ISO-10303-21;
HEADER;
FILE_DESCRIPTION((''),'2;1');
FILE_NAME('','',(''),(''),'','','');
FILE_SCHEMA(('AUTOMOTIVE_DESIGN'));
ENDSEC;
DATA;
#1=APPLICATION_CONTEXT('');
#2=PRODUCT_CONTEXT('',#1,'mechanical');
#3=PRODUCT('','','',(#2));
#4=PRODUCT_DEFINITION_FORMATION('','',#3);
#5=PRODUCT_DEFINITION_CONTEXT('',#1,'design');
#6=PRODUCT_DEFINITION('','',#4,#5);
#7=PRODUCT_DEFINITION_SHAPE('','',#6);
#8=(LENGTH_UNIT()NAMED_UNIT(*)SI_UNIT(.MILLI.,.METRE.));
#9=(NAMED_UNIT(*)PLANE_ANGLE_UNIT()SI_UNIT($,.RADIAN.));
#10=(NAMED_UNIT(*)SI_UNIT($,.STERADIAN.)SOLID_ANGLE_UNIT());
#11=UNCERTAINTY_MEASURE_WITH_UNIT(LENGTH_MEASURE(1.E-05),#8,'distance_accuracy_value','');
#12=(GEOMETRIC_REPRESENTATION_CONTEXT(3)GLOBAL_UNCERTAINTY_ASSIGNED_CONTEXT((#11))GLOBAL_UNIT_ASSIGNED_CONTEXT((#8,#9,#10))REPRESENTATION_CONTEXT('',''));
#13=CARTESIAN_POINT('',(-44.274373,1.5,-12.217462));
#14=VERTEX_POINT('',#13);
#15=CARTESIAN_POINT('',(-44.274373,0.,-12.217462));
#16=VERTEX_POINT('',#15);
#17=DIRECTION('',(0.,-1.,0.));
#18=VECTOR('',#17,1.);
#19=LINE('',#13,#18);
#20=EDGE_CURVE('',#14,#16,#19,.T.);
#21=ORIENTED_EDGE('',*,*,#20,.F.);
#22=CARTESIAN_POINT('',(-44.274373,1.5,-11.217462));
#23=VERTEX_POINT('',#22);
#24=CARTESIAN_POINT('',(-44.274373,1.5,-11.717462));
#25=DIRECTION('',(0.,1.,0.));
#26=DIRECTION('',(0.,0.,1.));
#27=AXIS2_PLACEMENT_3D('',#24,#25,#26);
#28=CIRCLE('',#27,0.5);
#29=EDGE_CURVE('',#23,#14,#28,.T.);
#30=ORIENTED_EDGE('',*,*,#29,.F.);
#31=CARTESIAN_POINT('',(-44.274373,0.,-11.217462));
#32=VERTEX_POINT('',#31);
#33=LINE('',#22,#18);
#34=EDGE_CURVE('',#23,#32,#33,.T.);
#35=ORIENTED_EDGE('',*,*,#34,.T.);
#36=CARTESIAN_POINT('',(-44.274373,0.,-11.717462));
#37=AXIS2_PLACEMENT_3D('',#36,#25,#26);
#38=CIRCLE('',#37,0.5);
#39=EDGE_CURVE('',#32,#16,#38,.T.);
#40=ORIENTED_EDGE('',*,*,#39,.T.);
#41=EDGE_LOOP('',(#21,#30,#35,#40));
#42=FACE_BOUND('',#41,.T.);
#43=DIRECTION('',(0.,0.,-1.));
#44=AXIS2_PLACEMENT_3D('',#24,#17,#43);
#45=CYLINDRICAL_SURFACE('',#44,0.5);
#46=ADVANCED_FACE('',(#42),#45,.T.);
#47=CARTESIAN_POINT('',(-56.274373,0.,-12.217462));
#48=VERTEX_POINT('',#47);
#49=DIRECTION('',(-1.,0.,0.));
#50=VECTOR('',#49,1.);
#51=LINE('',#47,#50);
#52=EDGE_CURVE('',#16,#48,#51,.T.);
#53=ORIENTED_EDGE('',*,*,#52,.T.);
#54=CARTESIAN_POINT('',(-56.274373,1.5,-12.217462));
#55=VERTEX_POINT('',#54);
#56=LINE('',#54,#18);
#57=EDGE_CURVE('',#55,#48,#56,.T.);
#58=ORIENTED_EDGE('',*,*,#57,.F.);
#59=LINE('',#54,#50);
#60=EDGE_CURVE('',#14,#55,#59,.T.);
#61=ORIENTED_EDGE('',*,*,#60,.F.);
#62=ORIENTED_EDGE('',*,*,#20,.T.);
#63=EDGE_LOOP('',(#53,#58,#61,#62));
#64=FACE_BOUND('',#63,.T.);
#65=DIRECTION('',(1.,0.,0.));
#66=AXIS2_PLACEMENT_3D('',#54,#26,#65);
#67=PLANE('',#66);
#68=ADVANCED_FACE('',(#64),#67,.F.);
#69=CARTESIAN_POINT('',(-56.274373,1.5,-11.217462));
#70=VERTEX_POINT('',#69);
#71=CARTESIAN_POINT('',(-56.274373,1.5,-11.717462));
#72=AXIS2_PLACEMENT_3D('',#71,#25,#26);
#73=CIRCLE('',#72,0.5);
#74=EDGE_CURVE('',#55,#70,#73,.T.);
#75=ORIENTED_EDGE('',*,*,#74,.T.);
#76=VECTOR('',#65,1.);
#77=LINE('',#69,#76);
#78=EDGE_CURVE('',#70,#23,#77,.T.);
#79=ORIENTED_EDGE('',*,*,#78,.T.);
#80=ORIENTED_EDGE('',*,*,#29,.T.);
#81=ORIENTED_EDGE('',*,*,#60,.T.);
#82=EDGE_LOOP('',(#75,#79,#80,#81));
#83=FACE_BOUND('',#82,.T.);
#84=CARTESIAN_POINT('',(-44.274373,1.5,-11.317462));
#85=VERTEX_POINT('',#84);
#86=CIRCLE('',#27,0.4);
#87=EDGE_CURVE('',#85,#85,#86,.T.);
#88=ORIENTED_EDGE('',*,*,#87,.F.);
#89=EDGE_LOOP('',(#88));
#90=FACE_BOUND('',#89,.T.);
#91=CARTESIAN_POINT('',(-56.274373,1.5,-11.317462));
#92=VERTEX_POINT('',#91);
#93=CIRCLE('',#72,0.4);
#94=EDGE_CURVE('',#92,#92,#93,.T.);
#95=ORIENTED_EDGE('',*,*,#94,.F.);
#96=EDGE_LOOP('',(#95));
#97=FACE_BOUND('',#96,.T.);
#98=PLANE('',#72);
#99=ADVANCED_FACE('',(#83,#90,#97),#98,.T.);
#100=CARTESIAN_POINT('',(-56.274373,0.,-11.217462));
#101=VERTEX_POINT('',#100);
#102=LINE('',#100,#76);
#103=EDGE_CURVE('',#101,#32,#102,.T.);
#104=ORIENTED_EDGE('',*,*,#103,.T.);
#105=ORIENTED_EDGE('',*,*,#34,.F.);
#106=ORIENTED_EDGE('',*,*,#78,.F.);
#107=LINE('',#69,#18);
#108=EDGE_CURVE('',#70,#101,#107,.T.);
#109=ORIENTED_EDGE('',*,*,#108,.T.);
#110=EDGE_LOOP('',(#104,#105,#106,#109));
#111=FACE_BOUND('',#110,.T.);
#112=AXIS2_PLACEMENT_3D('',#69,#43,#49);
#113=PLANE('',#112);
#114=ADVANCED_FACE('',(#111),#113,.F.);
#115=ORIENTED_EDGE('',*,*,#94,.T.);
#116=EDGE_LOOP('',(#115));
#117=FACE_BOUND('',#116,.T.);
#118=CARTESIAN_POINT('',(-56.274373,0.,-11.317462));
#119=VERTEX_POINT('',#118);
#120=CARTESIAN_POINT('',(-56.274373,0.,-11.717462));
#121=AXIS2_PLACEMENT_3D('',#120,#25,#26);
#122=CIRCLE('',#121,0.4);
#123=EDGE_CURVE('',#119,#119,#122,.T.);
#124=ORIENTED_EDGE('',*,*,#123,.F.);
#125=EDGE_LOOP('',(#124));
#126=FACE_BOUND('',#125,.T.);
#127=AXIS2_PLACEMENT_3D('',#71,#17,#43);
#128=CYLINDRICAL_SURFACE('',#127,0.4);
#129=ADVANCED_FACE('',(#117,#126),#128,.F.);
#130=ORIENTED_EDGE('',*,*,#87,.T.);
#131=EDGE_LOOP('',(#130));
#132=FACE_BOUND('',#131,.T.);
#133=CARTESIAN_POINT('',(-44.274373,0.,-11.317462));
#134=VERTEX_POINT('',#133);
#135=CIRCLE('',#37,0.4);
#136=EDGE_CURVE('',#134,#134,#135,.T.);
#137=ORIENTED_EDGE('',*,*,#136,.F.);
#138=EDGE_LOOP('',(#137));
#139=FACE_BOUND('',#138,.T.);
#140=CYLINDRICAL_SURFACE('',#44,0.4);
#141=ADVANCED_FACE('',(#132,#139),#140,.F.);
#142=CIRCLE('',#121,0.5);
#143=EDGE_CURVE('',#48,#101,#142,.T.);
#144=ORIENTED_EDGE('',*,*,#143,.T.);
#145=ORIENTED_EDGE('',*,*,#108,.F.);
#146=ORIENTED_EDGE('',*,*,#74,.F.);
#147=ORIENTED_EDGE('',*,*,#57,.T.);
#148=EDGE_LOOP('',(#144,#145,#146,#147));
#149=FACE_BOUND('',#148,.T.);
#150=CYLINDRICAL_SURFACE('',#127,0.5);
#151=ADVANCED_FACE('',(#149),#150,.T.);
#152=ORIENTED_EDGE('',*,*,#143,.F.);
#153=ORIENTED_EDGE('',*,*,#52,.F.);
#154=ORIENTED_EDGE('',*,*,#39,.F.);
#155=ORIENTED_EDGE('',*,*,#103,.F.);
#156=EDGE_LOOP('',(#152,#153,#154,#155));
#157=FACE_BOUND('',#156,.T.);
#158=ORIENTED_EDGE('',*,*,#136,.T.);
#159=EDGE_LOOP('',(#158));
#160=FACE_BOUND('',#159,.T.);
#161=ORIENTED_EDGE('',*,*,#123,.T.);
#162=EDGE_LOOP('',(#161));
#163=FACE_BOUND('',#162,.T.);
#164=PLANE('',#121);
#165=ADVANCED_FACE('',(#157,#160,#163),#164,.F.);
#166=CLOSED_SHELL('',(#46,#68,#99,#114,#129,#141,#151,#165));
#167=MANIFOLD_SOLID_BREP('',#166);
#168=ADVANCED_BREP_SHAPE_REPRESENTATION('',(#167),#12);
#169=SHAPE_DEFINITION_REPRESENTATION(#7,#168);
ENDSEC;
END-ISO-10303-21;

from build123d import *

# Parameters (mm, degrees)
SKETCH1_R           = 0.4
BOSS_EXTRUDE1_DEPTH = 1.5


with BuildPart() as part:
    # Sketch1 → Boss-Extrude1 (new body)
    with BuildSketch(Plane(origin=(0, 0, 0), x_dir=(1, 0, 0), z_dir=(0, 1, 0))):
        with BuildLine():
            Line((-56.274372554, 12.217462462), (-44.274372554, 12.217462462))
            ThreePointArc((-44.274372554, 12.217462462), (-43.774372554, 11.717462462), (-44.274372554, 11.217462462))
            Line((-44.274372554, 11.217462462), (-56.274372554, 11.217462462))
            ThreePointArc((-56.274372554, 11.217462462), (-56.774372554, 11.717462462), (-56.274372554, 12.217462462))
        make_face()
        with Locations(Location((-56.274372554, 11.717462462, 0), (0, 0, 270))):
            Circle(SKETCH1_R, mode=Mode.SUBTRACT)
        with Locations(Location((-44.274372554, 11.717462462, 0), (0, 0, 270))):
            Circle(SKETCH1_R, mode=Mode.SUBTRACT)
    extrude(amount=BOSS_EXTRUDE1_DEPTH)


solid = part.part
